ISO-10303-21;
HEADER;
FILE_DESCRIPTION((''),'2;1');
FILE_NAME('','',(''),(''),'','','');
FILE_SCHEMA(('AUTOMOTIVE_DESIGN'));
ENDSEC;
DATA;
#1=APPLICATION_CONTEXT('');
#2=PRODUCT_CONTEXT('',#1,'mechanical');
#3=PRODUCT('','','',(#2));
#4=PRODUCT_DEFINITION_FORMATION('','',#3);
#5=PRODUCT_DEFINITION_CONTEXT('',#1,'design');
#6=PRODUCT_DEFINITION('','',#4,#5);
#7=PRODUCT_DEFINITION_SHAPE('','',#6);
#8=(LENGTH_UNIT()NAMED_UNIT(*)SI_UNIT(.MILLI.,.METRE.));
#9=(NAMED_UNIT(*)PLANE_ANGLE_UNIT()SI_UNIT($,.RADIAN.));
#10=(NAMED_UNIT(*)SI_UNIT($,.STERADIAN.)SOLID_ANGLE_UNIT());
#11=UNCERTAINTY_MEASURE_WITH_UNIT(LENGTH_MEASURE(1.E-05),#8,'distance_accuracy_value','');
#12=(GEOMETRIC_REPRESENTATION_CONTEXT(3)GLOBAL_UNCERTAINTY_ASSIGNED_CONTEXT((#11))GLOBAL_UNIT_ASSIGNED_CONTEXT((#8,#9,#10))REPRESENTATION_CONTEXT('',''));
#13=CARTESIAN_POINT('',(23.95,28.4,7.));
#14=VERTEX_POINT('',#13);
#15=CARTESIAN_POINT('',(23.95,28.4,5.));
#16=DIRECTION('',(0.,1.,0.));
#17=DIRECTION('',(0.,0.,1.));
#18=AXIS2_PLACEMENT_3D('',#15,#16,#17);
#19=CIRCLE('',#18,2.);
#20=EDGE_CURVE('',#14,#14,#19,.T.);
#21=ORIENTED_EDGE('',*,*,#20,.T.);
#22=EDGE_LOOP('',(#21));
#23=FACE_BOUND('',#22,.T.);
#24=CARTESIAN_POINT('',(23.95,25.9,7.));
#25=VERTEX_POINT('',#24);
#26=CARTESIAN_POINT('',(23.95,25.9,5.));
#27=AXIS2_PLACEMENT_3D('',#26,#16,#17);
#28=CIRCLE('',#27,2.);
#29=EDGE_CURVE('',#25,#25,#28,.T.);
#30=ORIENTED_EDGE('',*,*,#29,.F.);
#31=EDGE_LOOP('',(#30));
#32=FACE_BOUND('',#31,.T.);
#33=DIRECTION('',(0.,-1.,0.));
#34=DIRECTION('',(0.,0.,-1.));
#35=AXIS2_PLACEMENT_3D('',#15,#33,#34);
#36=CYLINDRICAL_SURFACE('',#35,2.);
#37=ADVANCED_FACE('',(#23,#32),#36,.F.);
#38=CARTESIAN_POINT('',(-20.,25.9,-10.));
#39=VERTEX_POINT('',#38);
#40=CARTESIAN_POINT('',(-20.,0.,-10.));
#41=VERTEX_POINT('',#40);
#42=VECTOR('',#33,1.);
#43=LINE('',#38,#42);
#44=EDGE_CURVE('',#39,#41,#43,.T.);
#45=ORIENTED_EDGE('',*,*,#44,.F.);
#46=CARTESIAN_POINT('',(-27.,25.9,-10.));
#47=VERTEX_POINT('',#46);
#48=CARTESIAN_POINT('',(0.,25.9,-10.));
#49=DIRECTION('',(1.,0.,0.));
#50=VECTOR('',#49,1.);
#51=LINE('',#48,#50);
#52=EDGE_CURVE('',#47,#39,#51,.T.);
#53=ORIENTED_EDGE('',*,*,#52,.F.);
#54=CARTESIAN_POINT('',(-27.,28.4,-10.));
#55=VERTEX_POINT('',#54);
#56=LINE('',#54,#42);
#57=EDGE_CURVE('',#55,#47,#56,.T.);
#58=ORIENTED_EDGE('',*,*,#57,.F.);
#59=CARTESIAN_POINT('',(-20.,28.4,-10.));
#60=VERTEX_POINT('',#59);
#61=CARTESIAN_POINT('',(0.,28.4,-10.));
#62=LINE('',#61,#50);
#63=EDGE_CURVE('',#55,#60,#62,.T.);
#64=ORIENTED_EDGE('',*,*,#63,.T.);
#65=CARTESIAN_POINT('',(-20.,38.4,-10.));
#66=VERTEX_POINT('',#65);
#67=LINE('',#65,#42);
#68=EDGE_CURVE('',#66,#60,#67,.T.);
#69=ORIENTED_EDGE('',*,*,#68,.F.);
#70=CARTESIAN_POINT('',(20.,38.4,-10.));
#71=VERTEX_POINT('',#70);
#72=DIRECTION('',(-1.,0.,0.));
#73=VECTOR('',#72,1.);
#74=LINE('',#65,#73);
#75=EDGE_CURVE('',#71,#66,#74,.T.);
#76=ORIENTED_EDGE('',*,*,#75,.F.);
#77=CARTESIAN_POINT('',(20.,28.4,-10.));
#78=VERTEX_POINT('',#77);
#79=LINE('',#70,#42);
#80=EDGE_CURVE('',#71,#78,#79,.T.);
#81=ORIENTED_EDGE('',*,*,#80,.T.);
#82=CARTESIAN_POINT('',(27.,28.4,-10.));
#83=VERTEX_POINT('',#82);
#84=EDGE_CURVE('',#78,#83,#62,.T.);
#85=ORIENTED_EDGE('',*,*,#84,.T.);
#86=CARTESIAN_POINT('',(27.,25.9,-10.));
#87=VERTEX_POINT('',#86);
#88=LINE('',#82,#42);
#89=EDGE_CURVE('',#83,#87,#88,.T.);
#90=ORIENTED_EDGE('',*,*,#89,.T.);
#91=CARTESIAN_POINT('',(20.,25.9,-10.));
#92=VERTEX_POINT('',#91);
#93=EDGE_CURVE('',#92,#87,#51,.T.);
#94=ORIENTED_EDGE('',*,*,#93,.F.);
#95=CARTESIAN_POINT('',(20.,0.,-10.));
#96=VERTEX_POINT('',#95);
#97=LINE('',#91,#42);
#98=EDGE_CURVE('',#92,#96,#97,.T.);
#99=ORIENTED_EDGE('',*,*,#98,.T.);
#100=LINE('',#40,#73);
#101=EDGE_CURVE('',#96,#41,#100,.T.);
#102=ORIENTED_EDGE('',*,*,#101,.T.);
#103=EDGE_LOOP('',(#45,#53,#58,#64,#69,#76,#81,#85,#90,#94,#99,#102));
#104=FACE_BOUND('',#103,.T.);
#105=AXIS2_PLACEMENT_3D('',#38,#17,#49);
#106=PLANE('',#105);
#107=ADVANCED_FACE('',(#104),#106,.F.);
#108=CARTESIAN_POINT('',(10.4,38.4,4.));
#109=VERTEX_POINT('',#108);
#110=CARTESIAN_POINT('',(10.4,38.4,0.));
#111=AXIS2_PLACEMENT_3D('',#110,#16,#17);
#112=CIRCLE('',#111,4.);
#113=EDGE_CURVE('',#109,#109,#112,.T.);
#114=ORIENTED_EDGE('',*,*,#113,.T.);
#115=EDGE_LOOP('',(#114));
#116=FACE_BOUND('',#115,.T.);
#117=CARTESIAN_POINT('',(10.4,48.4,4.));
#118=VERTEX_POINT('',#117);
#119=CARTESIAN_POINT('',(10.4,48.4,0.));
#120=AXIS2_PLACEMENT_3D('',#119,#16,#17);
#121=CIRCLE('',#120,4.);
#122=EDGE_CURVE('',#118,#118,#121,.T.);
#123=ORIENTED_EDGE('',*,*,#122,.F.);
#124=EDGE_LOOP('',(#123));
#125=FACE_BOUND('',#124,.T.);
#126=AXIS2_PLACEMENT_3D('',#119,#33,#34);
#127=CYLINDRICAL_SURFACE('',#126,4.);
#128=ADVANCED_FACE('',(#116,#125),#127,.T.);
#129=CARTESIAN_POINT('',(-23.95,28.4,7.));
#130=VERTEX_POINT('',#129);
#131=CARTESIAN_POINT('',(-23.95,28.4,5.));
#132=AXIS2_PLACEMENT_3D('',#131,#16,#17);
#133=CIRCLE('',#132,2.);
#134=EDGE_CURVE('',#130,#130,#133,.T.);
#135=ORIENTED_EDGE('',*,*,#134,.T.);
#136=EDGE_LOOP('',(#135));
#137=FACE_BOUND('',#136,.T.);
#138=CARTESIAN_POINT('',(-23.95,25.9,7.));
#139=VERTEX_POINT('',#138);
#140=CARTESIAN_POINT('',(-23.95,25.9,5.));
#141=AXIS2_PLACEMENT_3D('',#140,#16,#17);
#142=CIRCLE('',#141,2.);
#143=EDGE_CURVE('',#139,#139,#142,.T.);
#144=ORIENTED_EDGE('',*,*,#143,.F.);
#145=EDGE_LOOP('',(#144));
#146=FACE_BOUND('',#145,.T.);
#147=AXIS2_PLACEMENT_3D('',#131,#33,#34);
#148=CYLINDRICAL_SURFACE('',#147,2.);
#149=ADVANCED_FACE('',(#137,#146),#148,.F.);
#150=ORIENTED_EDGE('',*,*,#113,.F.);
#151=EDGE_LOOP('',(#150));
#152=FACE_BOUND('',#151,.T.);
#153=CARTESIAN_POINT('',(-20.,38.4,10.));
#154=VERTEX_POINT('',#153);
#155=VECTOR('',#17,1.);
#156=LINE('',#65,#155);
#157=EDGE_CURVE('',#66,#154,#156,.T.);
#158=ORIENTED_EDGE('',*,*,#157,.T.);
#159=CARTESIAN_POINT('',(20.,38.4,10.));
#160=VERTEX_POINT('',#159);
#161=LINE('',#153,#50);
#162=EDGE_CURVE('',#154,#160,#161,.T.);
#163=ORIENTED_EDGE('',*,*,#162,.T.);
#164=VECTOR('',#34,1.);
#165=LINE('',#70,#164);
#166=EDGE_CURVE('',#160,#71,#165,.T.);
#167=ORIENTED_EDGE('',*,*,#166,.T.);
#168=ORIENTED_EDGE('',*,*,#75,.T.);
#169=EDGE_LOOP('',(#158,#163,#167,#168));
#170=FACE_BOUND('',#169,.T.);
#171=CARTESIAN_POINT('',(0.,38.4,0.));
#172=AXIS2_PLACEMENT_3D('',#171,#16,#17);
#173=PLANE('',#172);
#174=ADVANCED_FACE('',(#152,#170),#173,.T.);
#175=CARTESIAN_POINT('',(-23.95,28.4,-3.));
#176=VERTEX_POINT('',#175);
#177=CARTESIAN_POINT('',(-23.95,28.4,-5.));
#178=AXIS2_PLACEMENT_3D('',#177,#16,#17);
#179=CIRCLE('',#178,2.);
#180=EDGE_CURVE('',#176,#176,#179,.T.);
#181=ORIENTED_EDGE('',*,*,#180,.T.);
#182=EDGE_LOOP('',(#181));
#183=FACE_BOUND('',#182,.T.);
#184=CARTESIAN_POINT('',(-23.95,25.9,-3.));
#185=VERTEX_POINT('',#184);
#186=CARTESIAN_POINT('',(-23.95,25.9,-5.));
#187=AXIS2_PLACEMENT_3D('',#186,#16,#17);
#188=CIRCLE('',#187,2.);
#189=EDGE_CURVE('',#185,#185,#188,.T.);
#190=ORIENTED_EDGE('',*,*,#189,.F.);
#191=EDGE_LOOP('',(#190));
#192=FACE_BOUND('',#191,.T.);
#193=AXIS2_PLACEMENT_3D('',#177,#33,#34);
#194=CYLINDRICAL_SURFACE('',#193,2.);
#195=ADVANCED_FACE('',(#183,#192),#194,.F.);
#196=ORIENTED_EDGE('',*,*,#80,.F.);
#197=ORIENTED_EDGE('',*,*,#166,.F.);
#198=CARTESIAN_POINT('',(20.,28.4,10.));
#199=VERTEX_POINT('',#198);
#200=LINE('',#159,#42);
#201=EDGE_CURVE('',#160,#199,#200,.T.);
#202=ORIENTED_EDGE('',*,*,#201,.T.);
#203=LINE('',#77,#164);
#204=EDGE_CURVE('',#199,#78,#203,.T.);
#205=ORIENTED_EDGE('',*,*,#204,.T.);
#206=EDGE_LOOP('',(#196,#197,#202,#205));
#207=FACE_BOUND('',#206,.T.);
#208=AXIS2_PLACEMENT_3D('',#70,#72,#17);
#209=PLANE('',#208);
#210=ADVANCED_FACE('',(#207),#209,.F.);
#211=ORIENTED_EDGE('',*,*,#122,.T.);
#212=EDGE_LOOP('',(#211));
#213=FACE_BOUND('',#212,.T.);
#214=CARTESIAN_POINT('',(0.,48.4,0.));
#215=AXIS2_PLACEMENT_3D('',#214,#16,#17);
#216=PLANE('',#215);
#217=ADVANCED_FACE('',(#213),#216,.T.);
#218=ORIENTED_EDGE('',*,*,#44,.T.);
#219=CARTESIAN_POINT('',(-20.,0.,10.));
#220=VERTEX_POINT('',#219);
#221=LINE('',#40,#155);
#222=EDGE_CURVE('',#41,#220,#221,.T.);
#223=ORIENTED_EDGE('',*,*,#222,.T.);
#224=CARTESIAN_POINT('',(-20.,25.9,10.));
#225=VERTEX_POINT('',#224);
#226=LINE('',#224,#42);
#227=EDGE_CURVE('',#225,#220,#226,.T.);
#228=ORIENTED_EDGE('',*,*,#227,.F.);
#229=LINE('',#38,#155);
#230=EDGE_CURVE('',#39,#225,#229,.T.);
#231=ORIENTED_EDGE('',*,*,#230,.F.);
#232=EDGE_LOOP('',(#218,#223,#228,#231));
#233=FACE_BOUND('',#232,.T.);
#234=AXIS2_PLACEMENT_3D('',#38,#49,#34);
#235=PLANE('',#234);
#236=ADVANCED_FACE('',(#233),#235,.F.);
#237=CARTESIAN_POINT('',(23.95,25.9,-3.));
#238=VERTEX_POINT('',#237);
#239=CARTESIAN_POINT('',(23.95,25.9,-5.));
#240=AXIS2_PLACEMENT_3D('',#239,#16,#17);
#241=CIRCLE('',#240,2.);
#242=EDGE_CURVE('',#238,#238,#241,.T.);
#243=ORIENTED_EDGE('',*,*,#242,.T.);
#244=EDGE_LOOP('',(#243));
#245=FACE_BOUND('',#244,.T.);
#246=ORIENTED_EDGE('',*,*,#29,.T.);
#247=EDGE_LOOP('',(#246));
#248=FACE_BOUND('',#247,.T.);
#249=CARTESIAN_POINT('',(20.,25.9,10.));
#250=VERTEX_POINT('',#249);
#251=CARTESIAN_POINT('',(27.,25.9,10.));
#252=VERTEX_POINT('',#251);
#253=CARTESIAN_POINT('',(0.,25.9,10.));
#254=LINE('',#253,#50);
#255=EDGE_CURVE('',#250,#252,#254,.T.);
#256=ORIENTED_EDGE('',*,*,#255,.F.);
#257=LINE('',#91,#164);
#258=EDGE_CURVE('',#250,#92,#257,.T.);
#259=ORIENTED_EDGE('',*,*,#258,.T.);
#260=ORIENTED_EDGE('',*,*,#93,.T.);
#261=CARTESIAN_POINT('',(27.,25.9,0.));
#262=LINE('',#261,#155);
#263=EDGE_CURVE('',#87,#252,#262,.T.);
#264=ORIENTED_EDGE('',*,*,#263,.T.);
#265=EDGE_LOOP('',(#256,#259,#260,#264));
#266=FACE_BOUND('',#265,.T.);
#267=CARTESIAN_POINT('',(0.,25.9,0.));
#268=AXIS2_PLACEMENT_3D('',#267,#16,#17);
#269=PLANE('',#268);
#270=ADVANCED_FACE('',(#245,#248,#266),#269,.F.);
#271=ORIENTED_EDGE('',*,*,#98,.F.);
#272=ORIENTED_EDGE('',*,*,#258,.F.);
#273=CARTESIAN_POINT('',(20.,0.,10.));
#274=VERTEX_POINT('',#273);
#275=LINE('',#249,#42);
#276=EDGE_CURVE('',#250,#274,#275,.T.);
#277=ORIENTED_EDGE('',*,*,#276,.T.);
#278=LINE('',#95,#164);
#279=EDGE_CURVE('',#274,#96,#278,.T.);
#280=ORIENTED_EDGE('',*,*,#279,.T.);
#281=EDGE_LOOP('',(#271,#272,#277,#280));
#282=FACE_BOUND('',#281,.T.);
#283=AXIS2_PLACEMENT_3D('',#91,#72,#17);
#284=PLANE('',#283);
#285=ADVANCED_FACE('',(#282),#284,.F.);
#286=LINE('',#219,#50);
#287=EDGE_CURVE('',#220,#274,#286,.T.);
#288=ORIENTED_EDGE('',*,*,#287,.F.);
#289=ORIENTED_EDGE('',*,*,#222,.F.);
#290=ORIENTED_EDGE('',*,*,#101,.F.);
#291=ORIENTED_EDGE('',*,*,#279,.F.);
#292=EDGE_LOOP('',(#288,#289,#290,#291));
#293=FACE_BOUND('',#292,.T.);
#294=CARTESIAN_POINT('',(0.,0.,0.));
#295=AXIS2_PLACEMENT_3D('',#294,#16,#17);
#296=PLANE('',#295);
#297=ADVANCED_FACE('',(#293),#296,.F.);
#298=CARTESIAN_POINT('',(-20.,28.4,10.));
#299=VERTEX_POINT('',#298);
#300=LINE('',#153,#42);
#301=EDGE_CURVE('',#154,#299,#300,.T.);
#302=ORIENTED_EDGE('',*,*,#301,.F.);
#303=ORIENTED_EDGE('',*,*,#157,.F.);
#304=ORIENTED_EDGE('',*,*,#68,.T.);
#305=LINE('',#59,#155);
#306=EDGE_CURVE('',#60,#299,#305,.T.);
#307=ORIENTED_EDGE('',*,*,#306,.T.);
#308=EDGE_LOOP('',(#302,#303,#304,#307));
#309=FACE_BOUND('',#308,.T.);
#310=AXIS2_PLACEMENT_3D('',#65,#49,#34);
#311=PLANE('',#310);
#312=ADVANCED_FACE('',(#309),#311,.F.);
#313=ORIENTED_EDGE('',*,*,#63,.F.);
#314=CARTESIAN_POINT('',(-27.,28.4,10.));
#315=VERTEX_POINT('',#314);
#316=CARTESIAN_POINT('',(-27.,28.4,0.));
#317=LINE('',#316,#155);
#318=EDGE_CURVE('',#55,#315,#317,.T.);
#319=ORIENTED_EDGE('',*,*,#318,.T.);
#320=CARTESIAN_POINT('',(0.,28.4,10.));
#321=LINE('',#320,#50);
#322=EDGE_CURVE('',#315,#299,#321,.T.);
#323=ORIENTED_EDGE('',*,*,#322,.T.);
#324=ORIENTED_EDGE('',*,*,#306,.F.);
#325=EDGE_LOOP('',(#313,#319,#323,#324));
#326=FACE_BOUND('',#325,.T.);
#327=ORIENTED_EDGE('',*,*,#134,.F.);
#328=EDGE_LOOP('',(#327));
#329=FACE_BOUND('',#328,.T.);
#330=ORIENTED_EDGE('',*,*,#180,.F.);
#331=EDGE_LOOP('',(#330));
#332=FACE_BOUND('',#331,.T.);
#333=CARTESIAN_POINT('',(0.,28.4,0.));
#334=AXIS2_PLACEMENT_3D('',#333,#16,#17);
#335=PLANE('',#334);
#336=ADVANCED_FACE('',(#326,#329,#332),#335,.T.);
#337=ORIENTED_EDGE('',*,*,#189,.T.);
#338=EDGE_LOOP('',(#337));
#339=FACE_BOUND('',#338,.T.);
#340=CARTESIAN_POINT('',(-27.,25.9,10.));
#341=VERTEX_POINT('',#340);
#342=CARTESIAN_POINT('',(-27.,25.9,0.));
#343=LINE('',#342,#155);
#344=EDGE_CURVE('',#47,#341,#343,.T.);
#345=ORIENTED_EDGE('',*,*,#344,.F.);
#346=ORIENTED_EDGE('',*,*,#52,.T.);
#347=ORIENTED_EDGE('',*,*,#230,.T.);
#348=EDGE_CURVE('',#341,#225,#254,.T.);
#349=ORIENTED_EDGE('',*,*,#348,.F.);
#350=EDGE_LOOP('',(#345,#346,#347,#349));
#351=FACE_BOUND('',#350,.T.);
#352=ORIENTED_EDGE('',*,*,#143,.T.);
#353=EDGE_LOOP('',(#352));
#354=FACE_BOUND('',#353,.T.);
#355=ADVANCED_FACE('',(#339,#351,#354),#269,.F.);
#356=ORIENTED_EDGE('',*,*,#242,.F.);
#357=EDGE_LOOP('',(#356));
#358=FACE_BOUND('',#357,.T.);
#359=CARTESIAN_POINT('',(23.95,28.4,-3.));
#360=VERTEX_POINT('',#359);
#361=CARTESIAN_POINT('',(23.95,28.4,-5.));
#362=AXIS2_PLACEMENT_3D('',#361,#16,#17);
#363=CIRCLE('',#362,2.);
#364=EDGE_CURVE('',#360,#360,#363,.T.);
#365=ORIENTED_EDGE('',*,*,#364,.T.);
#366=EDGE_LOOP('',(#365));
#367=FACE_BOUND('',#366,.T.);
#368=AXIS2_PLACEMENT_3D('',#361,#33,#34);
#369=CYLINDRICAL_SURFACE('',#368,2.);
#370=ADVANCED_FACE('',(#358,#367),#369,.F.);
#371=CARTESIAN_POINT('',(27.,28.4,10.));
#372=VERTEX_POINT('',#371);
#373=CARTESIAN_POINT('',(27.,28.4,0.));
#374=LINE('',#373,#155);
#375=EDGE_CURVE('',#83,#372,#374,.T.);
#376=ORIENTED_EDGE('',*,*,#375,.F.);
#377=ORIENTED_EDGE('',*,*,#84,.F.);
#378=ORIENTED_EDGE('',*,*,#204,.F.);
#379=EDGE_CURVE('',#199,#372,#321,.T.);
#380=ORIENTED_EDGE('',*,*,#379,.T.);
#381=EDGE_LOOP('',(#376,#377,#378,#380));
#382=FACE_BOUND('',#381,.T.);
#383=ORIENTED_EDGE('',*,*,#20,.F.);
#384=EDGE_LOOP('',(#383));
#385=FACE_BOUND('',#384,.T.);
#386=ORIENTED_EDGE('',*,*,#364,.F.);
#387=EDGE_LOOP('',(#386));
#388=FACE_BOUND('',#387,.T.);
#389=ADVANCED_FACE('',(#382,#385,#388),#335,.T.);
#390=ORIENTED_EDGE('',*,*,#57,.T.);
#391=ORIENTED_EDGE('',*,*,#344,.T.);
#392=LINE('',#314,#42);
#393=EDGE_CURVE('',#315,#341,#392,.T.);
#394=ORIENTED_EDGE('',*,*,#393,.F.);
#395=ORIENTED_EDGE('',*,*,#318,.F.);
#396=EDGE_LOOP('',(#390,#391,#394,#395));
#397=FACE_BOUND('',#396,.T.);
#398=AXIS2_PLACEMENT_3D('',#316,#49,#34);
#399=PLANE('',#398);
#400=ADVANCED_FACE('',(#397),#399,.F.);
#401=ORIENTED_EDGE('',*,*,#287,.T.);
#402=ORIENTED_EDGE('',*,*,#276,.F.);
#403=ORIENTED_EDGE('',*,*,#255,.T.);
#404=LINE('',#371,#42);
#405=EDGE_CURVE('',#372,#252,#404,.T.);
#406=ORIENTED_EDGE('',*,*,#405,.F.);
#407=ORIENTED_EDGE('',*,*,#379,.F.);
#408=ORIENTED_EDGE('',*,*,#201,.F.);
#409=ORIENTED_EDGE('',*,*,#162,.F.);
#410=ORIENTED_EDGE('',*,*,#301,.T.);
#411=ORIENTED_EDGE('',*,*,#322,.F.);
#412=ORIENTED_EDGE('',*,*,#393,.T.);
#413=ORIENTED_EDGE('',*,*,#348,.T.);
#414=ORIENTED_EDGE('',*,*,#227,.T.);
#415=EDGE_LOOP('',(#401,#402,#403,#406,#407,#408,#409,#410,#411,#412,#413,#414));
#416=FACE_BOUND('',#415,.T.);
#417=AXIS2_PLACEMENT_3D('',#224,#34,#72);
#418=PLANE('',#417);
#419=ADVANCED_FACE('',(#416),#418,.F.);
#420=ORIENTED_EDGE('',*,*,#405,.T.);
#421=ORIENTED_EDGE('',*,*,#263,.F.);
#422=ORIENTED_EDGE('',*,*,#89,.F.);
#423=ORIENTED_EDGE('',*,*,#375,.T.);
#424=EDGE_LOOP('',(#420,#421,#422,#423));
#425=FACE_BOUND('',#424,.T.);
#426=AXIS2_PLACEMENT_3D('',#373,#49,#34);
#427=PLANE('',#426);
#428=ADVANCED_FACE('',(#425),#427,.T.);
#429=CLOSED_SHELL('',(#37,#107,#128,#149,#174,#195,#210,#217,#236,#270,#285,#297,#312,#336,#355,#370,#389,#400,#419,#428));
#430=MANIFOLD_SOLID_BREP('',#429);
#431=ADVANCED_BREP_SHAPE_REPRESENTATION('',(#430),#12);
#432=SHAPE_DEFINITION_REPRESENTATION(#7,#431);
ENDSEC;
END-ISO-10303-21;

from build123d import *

# Parameters (mm, degrees)
SKETCH1_W           = 40
SKETCH1_H           = 20
BOSS_EXTRUDE1_DEPTH = 25.9
SKETCH2_W           = 54
SKETCH2_H           = 20
SKETCH2_R           = 2
BOSS_EXTRUDE2_DEPTH = 2.5
SKETCH3_W           = 40
SKETCH3_H           = 20
BOSS_EXTRUDE3_DEPTH = 10
SKETCH4_R           = 4
BOSS_EXTRUDE4_DEPTH = 10


with BuildPart() as part:
    # Sketch1 → Boss-Extrude1 (new body)
    with BuildSketch(Plane(origin=(0, 0, 0), x_dir=(1, 0, 0), z_dir=(0, 1, 0))):
        Rectangle(SKETCH1_W, SKETCH1_H)
    extrude(amount=BOSS_EXTRUDE1_DEPTH)

    # Sketch2 → Boss-Extrude2 (add)
    with BuildSketch(Plane(origin=(0, 25.9, 0), x_dir=(1, 0, 0), z_dir=(0, 1, 0))):
        Rectangle(SKETCH2_W, SKETCH2_H)
        with Locations(Location((-23.95, 5, 0), (0, 0, 270))):
            Circle(SKETCH2_R, mode=Mode.SUBTRACT)
        with Locations(Location((-23.95, -5, 0), (0, 0, 270))):
            Circle(SKETCH2_R, mode=Mode.SUBTRACT)
        with Locations(Location((23.95, 5, 0), (0, 0, 270))):
            Circle(SKETCH2_R, mode=Mode.SUBTRACT)
        with Locations(Location((23.95, -5, 0), (0, 0, 270))):
            Circle(SKETCH2_R, mode=Mode.SUBTRACT)
    extrude(amount=BOSS_EXTRUDE2_DEPTH)

    # Sketch3 → Boss-Extrude3 (add)
    with BuildSketch(Plane(origin=(0, 28.4, 0), x_dir=(1, 0, 0), z_dir=(0, 1, 0))):
        Rectangle(SKETCH3_W, SKETCH3_H)
    extrude(amount=BOSS_EXTRUDE3_DEPTH)

    # Sketch4 → Boss-Extrude4 (add)
    with BuildSketch(Plane(origin=(0, 38.4, 0), x_dir=(1, 0, 0), z_dir=(0, 1, 0))):
        with Locations(Location((10.4, 0, 0), (0, 0, 270))):
            Circle(SKETCH4_R)
    extrude(amount=BOSS_EXTRUDE4_DEPTH)


solid = part.part
